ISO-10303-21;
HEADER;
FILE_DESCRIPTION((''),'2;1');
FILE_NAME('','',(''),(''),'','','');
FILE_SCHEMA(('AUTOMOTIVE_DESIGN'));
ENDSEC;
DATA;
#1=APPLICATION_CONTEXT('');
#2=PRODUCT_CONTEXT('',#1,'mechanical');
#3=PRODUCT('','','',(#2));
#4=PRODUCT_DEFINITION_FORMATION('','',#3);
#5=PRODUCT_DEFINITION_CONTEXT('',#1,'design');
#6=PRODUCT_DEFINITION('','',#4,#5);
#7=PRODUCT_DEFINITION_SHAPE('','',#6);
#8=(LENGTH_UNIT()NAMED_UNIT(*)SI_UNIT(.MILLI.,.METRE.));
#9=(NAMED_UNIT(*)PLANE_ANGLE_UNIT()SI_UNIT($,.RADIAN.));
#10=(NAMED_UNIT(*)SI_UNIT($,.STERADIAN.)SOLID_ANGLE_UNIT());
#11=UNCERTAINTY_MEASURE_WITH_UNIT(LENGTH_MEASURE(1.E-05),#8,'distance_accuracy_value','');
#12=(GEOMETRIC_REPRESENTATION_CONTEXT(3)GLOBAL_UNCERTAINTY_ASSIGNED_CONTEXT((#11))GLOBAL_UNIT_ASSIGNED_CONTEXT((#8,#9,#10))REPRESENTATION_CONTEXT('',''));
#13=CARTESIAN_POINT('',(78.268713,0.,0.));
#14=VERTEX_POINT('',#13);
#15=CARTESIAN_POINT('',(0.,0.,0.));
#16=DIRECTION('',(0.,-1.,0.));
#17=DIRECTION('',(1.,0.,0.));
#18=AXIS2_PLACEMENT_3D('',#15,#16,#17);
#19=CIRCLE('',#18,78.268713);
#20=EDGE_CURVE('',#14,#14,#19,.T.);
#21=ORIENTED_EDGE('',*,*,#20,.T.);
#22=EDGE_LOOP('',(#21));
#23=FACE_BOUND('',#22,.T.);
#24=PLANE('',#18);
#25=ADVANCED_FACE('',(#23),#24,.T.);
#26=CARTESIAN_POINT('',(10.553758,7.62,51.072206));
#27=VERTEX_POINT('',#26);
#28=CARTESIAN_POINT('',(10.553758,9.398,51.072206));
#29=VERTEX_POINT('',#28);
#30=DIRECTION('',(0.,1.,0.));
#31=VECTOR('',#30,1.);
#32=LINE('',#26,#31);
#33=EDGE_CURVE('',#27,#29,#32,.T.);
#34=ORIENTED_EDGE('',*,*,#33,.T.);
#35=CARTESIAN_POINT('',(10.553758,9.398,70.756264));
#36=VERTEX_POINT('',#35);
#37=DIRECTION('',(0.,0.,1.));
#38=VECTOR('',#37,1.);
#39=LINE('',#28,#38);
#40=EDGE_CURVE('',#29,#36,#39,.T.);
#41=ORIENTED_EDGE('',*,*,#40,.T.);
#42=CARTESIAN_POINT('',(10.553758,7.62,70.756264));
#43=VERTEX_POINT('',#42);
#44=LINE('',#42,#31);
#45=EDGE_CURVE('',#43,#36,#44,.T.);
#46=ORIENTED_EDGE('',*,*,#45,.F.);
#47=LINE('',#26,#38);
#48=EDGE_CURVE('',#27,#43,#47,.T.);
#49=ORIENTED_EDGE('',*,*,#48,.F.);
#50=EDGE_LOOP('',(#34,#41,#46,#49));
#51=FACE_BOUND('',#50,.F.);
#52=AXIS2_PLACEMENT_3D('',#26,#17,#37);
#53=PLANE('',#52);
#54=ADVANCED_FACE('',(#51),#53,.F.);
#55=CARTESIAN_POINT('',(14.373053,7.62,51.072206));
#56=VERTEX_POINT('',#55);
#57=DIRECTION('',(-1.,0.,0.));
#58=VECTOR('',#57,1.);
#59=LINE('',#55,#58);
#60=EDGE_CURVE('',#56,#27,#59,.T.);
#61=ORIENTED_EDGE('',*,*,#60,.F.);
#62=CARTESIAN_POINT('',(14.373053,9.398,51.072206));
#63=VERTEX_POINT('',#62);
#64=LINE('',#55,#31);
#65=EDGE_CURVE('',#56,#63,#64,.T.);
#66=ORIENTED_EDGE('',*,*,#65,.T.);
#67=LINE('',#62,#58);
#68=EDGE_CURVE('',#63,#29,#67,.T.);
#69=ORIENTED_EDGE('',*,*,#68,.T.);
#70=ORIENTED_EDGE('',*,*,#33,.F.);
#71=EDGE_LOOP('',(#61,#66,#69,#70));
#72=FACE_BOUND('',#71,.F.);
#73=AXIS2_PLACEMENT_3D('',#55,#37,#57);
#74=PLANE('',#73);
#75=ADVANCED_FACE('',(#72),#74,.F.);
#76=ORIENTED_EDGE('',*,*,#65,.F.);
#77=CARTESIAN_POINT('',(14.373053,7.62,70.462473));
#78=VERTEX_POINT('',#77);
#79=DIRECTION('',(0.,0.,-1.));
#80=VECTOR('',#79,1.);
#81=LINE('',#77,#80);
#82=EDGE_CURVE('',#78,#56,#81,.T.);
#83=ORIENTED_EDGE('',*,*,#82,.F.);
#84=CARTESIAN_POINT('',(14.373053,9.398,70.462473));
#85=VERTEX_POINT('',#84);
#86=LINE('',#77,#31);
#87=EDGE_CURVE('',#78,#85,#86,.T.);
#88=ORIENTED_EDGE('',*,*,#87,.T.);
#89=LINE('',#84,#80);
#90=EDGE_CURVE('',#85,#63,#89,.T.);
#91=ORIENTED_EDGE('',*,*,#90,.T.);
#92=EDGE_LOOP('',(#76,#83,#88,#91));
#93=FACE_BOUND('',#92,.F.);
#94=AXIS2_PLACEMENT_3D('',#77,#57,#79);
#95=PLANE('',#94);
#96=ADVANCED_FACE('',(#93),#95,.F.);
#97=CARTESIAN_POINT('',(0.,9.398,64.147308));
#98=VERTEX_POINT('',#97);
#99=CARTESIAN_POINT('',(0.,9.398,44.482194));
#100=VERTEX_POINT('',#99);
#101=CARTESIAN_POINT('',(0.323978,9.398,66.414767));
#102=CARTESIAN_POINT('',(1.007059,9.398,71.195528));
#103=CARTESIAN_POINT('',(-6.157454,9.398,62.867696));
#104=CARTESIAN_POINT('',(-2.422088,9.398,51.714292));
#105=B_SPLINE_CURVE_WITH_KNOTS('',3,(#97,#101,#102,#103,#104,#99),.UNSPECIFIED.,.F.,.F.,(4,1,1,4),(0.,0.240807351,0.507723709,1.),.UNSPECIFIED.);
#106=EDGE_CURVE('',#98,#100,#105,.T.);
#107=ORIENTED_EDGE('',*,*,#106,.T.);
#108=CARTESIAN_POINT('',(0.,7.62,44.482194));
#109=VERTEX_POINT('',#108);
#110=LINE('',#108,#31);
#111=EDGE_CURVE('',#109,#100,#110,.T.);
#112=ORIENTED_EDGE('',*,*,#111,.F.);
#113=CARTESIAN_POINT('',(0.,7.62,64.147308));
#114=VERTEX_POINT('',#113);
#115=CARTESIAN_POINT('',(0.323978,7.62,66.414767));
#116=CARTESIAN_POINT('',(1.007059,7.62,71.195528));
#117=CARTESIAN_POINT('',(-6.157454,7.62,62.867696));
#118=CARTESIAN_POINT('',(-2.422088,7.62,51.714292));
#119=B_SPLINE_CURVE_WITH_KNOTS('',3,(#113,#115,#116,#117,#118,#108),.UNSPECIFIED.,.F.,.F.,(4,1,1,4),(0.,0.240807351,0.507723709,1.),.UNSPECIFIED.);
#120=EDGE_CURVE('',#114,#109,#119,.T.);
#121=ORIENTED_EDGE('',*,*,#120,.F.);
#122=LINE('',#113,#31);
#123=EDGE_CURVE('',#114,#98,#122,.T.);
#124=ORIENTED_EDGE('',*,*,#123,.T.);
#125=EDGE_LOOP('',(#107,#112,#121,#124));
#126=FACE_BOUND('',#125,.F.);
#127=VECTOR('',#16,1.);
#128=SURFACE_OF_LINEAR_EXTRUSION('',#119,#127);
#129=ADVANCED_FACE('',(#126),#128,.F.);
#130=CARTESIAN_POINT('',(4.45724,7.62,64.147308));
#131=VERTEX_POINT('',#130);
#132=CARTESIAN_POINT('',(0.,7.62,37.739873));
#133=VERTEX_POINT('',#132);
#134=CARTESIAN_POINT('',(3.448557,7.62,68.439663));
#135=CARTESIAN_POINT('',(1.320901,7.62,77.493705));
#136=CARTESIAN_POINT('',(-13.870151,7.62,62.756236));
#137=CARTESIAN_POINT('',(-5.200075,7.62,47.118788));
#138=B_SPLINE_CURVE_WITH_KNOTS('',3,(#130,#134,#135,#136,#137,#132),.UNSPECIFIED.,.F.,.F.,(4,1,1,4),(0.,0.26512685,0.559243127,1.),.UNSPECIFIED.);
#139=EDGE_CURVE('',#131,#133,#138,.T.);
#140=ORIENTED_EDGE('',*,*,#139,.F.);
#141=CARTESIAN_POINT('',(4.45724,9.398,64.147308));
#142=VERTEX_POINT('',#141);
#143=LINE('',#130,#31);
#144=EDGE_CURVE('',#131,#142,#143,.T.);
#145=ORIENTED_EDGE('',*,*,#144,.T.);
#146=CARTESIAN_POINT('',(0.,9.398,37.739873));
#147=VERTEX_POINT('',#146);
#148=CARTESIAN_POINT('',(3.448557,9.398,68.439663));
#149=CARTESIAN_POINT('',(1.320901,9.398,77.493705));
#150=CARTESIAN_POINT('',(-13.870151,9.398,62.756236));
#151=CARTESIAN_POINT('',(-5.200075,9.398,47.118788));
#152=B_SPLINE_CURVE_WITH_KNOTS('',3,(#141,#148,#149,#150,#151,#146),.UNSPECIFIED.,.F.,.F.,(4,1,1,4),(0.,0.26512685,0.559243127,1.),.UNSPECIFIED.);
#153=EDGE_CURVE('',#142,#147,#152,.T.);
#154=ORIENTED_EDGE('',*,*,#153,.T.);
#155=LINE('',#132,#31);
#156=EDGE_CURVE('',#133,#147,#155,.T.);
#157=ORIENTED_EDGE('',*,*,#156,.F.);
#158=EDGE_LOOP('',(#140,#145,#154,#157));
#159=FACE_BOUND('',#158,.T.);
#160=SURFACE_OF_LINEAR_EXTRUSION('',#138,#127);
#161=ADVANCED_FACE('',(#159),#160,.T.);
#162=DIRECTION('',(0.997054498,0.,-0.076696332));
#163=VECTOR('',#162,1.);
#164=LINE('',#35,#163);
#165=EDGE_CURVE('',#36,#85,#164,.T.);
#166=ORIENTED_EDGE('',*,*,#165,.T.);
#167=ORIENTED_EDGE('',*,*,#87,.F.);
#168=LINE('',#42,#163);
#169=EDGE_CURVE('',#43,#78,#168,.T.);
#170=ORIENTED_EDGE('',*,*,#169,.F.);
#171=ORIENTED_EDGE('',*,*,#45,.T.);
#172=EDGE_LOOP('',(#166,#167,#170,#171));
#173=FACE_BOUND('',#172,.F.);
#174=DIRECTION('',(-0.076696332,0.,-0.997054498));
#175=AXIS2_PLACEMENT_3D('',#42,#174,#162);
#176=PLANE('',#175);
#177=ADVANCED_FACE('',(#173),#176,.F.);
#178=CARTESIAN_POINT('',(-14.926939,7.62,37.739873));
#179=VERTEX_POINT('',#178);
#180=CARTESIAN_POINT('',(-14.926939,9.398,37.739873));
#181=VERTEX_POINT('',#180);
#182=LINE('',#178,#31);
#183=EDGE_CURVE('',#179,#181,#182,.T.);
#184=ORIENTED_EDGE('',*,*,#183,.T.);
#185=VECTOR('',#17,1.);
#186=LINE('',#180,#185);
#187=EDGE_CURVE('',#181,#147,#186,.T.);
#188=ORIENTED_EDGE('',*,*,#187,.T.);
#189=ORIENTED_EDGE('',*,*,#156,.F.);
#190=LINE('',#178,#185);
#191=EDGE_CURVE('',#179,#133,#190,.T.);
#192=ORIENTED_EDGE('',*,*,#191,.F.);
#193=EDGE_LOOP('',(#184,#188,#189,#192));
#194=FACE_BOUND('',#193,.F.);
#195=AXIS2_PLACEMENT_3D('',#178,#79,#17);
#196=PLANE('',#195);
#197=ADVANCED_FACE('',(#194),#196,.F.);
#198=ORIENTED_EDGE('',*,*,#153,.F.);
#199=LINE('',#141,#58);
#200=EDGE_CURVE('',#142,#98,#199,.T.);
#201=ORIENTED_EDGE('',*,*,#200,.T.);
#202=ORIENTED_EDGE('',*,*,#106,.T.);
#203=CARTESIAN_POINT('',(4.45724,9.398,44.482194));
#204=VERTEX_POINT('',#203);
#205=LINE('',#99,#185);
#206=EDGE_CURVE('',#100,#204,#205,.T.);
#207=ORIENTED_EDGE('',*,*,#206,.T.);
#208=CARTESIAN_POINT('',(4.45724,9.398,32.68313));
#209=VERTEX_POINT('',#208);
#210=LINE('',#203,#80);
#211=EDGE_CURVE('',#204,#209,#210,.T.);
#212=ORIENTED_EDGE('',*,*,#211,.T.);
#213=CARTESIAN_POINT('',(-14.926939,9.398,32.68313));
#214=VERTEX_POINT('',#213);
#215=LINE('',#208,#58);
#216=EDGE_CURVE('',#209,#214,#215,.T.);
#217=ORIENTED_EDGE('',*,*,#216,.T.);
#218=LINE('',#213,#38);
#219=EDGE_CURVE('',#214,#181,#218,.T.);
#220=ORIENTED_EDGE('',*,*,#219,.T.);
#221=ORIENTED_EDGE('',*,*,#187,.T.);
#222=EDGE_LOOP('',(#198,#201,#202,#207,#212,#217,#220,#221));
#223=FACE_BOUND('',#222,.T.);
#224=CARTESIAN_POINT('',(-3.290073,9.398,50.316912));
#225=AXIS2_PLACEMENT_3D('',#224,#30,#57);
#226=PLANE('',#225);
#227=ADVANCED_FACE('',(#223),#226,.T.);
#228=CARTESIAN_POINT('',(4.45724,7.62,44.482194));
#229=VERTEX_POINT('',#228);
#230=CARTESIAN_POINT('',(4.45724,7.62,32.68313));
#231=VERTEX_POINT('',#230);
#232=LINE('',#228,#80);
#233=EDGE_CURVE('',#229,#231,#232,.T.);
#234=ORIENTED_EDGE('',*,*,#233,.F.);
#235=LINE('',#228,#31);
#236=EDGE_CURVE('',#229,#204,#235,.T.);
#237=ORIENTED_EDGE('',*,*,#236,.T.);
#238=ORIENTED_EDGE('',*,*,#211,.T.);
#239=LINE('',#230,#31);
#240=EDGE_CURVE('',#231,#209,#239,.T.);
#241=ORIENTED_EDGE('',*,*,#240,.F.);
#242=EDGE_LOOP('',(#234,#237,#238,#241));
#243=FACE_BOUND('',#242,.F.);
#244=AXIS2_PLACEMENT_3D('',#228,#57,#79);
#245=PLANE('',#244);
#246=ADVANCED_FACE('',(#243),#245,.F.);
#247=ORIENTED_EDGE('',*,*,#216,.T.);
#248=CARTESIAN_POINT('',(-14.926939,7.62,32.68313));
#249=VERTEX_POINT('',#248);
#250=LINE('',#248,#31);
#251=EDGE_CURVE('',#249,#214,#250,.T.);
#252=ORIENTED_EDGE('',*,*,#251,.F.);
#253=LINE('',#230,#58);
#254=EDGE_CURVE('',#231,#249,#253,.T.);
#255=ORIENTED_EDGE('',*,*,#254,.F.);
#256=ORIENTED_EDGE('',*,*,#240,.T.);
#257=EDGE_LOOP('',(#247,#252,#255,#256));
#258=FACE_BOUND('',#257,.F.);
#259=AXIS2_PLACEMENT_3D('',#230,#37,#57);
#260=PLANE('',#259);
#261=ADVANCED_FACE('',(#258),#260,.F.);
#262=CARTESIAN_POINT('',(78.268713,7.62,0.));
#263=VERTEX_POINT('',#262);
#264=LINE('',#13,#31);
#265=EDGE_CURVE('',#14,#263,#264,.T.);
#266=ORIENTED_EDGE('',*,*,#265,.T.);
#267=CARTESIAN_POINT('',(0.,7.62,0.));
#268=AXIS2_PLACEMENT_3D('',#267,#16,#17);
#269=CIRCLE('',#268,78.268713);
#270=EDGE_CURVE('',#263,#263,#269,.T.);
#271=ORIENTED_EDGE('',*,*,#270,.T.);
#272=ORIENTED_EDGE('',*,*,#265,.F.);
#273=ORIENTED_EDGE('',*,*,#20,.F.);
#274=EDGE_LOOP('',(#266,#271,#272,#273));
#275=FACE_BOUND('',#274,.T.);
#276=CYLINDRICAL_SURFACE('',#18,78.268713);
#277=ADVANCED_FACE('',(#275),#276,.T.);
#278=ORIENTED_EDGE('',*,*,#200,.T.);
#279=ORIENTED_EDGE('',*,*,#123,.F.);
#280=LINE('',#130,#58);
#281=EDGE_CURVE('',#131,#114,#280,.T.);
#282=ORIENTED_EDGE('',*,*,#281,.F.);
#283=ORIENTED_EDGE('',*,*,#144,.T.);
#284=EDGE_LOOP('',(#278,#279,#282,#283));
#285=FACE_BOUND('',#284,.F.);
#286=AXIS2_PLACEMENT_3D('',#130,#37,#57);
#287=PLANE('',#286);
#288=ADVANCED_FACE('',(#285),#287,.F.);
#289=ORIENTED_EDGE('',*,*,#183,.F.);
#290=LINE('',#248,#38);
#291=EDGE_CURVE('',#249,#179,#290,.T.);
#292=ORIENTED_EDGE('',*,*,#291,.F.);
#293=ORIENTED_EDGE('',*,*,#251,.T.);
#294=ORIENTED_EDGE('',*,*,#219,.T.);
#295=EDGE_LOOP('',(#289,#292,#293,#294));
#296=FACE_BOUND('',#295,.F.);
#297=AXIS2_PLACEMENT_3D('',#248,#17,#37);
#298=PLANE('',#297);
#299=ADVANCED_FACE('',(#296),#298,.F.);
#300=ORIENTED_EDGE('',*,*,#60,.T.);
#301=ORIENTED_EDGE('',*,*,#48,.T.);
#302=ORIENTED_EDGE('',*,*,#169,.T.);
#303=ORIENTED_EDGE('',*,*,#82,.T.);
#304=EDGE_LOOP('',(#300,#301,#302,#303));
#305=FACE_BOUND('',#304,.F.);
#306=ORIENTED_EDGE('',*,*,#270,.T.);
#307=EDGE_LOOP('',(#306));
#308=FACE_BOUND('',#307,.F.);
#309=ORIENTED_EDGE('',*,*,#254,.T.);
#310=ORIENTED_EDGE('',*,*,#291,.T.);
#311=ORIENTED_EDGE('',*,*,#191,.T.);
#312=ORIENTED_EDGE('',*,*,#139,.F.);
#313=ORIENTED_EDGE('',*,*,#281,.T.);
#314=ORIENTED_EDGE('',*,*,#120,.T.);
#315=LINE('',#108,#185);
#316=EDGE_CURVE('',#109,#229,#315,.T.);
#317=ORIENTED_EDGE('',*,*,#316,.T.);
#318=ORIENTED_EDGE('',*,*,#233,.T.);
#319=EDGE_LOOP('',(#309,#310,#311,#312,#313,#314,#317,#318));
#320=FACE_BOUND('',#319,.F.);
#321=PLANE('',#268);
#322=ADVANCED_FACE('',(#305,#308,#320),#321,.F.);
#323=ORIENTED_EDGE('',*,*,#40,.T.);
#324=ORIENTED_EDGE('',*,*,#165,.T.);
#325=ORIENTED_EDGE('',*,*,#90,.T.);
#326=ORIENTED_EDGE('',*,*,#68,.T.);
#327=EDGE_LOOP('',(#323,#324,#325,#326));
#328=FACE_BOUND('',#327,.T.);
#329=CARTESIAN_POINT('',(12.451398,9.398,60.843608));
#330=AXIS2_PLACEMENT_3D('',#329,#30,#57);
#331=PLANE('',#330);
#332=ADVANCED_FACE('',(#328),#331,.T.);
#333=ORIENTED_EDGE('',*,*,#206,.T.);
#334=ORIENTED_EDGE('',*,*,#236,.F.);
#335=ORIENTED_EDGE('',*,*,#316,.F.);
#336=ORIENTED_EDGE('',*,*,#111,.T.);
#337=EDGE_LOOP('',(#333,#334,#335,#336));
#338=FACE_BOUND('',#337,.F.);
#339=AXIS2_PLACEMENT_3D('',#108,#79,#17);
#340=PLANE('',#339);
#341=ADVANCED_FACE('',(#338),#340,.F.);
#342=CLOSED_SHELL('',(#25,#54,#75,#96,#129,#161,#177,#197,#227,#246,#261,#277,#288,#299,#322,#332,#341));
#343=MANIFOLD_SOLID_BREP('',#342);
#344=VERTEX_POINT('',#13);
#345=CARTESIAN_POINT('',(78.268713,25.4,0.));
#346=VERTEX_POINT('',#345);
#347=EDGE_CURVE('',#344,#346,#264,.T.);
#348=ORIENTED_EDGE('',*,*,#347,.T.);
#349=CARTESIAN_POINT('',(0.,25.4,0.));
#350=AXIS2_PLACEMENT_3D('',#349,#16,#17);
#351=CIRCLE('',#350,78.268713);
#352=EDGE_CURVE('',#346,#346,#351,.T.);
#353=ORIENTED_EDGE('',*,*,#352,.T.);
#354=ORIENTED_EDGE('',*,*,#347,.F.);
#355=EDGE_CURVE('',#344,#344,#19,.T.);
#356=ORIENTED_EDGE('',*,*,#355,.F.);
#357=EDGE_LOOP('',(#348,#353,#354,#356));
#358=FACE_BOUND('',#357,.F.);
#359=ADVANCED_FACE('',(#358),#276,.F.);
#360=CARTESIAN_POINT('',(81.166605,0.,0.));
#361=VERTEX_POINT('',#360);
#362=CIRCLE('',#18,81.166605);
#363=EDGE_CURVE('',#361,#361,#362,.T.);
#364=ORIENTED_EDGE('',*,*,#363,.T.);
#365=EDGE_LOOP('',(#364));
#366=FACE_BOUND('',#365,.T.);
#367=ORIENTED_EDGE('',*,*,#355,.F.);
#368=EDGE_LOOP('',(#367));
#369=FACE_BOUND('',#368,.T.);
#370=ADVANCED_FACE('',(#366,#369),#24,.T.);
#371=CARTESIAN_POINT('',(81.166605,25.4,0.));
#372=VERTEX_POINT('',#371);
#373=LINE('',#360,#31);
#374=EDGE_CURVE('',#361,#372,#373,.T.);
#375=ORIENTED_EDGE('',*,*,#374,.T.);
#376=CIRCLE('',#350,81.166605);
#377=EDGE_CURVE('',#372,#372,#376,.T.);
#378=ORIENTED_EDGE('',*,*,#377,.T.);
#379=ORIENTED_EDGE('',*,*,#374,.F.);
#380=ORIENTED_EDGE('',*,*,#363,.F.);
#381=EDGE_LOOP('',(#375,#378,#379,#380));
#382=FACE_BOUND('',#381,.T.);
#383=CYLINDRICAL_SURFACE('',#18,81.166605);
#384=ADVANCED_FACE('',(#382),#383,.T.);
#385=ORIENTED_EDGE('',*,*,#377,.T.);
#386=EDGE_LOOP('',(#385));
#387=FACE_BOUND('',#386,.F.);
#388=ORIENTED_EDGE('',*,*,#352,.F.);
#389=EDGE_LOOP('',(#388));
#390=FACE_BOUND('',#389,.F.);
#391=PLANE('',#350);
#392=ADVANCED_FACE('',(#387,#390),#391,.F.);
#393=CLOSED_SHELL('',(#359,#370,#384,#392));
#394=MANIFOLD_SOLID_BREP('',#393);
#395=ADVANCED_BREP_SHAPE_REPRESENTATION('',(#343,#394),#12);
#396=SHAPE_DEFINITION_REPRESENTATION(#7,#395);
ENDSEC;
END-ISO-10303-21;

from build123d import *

# Parameters (mm, degrees)
F0_R     = 81.1666052838
F0_R_2   = 78.2687130008
F1_DEPTH = 25.4
F2_DEPTH = 7.62
F4_DEPTH = 1.778


with BuildPart() as f1:
    # F0 (on Front) → F1 (new body)
    with BuildSketch(Plane.XZ):
        Circle(F0_R)
        Circle(F0_R_2, mode=Mode.SUBTRACT)
    extrude(amount=-F1_DEPTH)


with BuildPart() as f2:
    # F0 (on Front) → F2 (new body)
    with BuildSketch(Plane.XZ):
        Circle(F0_R_2)
    extrude(amount=-F2_DEPTH)

    # F3 (on face) → F4 (join)
    with BuildSketch(Plane(origin=(0, 7.62, 0), x_dir=(-1, 0, 0), z_dir=(0, 1, 0))):
        Polygon((-10.5537576601, 70.7562640309), (-14.3730528653, 70.4624727368), (-14.3730528653, 51.0722063482), (-10.5537576601, 51.0722063482), align=None)
        with BuildLine():
            Line((-4.4572395273, 64.1473084688), (0, 64.1473084688))
            add(Edge.make_bspline(
                [(0, 64.1473084688), (-0.3239775419, 66.4147667703), (-1.0070591788, 71.1955275563), (6.1574537097, 62.8676957006), (2.4220884556, 51.7142923801), (0, 44.4821938872)],
                knots=[0, 0, 0, 0, 0.2408073508, 0.5077237094, 1, 1, 1, 1], degree=3))
            Line((0, 44.4821938872), (-4.4572395273, 44.4821938872))
            Line((-4.4572395273, 44.4821938872), (-4.4572395273, 32.6831303537))
            Line((-4.4572395273, 32.6831303537), (14.9269392714, 32.6831303537))
            Line((14.9269392714, 32.6831303537), (14.9269392714, 37.7398729324))
            Line((14.9269392714, 37.7398729324), (0, 37.7398729324))
            add(Edge.make_bspline(
                [(-4.4572395273, 64.1473084688), (-3.4485570444, 68.4396628198), (-1.3209009983, 77.4937049409), (13.8701505565, 62.7562359896), (5.2000749142, 47.1187878511), (0, 37.7398729324)],
                knots=[0, 0, 0, 0, 0.26512685, 0.5592431266, 1, 1, 1, 1], degree=3))
        make_face()
    extrude(amount=F4_DEPTH)


solid = Compound([f1.part, f2.part])
